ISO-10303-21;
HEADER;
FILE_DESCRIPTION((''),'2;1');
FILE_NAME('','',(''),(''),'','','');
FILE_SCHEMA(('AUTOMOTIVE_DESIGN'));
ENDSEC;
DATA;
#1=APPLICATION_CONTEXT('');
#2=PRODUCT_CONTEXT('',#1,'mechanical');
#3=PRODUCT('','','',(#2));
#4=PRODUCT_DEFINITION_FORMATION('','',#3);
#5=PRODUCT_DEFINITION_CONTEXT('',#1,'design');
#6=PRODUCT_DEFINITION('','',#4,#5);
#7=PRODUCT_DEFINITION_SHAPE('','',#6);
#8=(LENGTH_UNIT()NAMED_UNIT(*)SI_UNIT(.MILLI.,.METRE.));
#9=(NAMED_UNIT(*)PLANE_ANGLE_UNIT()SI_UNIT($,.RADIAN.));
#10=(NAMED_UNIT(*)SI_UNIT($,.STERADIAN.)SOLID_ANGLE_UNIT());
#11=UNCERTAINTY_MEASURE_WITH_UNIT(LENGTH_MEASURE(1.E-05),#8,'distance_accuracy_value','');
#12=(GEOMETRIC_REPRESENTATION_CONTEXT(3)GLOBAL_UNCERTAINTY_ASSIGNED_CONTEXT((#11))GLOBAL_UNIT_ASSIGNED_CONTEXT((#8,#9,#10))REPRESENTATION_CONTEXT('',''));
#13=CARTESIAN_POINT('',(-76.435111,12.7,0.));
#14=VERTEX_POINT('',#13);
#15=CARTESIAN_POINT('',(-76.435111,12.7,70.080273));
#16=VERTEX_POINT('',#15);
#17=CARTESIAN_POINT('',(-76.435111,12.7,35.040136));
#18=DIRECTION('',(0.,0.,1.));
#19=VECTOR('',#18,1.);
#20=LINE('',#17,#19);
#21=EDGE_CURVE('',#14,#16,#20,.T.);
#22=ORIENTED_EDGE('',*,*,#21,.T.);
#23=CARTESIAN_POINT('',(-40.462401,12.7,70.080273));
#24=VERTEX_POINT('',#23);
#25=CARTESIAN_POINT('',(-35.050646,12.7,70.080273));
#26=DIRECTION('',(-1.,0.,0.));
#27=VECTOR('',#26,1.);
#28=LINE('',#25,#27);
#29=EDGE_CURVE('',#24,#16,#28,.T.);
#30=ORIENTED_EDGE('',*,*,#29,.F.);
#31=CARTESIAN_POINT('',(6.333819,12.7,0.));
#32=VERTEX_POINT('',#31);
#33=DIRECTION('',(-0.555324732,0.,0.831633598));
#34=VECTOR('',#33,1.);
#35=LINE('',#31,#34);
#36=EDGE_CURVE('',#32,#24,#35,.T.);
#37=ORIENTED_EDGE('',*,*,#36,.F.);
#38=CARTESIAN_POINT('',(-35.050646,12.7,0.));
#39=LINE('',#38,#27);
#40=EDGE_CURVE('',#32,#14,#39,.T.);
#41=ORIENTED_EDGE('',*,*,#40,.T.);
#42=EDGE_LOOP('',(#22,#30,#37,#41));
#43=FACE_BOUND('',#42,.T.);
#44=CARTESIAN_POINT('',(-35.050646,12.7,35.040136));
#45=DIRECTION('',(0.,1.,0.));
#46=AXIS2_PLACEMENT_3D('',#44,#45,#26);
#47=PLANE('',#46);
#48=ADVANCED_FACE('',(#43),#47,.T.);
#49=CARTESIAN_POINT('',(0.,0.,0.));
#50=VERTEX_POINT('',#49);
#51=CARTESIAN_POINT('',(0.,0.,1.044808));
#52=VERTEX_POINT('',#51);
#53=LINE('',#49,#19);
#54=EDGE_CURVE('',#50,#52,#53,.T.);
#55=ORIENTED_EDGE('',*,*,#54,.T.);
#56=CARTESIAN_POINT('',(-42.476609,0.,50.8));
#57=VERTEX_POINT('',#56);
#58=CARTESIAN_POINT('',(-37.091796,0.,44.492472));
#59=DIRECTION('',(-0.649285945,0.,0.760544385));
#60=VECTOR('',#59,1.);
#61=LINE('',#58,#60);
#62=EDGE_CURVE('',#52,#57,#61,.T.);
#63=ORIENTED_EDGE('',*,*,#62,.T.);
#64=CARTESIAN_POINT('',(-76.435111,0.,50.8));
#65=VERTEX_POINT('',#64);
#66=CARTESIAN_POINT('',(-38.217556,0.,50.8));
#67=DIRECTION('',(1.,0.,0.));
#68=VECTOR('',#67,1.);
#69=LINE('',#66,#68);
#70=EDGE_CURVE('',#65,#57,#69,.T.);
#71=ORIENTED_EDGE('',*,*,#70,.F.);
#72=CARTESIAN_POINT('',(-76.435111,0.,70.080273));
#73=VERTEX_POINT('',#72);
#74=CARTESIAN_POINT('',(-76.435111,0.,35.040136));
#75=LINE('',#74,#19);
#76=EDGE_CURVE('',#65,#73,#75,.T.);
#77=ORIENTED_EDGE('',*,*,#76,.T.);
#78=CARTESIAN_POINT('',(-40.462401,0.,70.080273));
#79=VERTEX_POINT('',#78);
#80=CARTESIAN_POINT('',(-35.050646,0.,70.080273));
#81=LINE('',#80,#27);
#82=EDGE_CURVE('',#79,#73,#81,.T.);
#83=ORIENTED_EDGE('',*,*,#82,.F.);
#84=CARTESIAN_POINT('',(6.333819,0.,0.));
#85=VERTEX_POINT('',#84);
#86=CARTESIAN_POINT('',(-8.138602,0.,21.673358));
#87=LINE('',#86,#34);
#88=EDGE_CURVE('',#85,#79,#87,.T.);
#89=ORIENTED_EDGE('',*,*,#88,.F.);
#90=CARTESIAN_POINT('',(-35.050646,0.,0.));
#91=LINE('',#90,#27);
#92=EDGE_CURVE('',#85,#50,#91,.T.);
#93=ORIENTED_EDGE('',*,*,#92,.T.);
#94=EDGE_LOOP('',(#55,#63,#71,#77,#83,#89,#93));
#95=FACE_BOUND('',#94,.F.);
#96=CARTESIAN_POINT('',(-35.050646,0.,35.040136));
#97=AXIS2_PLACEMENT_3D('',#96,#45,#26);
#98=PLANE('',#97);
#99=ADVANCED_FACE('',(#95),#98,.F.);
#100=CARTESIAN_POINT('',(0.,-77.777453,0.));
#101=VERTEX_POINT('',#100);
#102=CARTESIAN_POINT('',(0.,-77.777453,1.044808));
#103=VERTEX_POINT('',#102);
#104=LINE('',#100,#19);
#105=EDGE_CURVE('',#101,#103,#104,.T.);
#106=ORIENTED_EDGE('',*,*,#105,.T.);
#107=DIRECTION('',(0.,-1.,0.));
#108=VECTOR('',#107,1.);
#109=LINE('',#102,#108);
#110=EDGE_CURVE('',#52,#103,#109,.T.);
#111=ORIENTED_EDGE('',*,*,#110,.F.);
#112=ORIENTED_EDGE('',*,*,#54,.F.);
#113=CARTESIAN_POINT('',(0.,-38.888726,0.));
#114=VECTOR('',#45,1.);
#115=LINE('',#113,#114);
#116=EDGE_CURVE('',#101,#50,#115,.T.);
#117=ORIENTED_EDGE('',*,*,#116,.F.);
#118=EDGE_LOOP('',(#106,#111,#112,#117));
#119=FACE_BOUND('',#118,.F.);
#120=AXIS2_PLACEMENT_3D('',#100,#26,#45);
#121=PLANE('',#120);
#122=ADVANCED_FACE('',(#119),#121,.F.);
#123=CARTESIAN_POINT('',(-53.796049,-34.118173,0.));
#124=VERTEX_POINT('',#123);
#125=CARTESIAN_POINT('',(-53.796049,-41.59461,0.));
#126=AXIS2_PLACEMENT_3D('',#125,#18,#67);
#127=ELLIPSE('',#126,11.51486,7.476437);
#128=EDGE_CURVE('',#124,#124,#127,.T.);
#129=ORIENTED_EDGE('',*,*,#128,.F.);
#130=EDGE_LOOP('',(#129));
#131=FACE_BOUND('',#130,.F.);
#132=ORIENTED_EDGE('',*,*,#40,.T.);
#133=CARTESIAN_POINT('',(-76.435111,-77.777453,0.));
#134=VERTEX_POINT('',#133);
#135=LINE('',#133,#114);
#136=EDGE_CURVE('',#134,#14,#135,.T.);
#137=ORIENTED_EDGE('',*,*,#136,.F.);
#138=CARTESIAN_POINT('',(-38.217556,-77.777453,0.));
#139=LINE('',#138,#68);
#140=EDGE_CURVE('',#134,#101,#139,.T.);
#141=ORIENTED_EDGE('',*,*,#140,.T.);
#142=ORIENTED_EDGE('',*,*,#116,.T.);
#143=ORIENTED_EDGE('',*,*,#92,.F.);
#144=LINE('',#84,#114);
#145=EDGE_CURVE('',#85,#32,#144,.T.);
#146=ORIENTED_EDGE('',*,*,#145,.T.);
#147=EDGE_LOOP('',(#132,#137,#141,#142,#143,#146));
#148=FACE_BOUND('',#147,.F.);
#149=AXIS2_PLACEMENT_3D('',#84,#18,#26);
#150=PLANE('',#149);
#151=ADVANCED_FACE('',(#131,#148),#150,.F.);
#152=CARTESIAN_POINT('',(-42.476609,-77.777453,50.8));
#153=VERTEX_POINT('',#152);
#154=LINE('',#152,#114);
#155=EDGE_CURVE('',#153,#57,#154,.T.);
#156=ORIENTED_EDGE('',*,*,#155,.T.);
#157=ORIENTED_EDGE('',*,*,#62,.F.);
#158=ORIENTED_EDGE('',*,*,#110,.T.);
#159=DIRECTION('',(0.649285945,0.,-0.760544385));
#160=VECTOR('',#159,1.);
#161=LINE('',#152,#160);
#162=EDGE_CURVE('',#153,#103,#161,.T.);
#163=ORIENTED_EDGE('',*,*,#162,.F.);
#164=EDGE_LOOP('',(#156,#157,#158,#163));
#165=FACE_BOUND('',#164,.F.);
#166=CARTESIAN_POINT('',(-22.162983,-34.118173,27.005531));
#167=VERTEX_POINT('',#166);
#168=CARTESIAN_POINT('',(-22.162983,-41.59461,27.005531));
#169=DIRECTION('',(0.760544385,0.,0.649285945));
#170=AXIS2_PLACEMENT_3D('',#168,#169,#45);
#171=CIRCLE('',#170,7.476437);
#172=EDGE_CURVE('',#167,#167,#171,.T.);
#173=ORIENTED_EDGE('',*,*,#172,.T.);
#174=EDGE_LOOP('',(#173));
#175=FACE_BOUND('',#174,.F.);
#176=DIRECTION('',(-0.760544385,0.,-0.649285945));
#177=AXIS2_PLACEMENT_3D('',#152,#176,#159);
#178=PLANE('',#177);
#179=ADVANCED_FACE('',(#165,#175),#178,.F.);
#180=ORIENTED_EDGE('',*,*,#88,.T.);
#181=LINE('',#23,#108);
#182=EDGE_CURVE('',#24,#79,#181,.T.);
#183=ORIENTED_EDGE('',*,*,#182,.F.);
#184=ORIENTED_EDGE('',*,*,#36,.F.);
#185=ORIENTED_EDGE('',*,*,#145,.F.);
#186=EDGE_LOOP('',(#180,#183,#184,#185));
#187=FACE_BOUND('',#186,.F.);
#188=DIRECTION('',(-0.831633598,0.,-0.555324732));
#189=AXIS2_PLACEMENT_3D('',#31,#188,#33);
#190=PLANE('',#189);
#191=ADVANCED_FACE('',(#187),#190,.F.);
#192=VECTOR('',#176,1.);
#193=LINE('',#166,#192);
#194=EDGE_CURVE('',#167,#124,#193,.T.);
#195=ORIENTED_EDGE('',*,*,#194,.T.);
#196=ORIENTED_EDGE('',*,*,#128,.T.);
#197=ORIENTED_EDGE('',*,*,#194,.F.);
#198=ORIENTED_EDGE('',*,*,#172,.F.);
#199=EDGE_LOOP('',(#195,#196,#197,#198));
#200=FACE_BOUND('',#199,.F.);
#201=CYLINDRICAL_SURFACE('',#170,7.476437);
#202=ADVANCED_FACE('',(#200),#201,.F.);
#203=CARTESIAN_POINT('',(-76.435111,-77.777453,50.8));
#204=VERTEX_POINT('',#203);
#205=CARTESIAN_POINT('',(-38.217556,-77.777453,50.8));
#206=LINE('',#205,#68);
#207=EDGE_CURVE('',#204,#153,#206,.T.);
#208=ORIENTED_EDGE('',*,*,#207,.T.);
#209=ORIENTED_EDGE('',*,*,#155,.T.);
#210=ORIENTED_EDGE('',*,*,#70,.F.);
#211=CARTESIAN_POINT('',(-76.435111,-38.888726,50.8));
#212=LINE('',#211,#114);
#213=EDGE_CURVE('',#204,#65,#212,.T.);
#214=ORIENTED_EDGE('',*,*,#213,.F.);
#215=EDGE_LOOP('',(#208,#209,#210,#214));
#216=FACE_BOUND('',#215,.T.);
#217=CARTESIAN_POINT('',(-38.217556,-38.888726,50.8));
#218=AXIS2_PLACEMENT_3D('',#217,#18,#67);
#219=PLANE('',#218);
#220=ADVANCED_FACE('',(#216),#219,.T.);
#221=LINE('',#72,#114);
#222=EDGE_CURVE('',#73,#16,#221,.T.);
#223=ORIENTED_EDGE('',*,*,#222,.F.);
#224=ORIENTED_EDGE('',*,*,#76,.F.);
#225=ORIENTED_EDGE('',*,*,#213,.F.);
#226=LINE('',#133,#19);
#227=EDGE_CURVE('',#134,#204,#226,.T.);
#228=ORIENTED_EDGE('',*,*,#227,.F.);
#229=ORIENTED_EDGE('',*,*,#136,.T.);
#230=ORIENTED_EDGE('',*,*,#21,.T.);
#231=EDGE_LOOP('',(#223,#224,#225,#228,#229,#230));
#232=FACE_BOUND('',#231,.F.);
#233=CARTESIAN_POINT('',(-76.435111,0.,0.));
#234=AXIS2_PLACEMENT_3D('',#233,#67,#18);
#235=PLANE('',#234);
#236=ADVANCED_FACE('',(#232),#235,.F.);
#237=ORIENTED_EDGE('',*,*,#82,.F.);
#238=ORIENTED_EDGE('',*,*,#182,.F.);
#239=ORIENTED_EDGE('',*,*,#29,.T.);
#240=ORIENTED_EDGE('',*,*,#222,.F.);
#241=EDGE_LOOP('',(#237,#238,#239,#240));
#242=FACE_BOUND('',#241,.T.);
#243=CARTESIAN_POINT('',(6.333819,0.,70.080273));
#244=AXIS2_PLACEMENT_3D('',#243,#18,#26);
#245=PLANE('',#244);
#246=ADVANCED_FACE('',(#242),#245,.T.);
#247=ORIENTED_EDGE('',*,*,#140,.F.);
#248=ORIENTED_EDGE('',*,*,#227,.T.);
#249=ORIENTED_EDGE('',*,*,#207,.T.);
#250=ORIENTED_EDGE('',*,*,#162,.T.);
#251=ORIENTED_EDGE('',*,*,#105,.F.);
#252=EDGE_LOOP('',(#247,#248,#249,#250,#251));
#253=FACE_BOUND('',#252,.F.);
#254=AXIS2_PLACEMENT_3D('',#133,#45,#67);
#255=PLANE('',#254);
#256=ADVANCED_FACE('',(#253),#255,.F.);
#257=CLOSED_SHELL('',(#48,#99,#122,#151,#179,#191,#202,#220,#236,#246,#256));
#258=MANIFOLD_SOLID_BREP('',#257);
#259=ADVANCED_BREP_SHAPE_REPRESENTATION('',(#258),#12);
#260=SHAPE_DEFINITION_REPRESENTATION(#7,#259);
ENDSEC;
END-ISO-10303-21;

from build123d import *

# Parameters (mm, degrees)
F0_W     = 76.4351114631
F0_H     = 77.7774527669
F1_DEPTH = 50.8
F3_DEPTH = 77.7784527669
F4_R     = 7.4764365624
F5_DEPTH = 58.8116741145
F6_W     = 82.7689305879
F6_H     = 70.0802728534
F7_DEPTH = 12.7
F9_DEPTH = 90.4784527669


with BuildPart() as f1:
    # F0 (on Top) → F1 (new body)
    with BuildSketch(Plane.XY):
        with Locations((-38.2175557315, -38.8887263834)):
            Rectangle(F0_W, F0_H)
    extrude(amount=F1_DEPTH)

    # F2 (on face) → F3 (cut, through all)
    with BuildSketch(Plane.XZ.offset(77.7774527669)):
        Polygon((15.4465576634, -17.0485954732), (15.4465576634, 50.8), (-42.4766093493, 50.8), align=None)
    extrude(amount=-F3_DEPTH, mode=Mode.SUBTRACT)

    # F4 (on face) → F5 (cut, through all)
    with BuildSketch(Plane(origin=(0.5159375483, 0, 0.4404621285), x_dir=(0, 1, 0), z_dir=(0.760544385, 0, 0.6492859451))):
        with Locations((-41.5946096182, 34.9290184677)):
            Circle(F4_R)
    extrude(amount=-F5_DEPTH, mode=Mode.SUBTRACT)

    # F6 (on face) → F7 (join)
    with BuildSketch(Plane(origin=(0, 0, 0), x_dir=(-1, 0, 0), z_dir=(0, 1, 0))):
        with Locations((35.0506461691, 35.0401364267)):
            Rectangle(F6_W, F6_H)
    extrude(amount=F7_DEPTH)

    # F8 (on face) → F9 (cut, through all)
    with BuildSketch(Plane(origin=(0, 12.7, 0), x_dir=(-1, 0, 0), z_dir=(0, 1, 0))):
        Polygon((40.4624007642, 70.0802728534), (-6.3338191248, 70.0802728534), (-6.3338191248, 35.0401364267), align=None)
        Polygon((-6.3338191248, 0), (40.4624007642, 70.0802728534), (-6.3338191248, 35.0401364267), align=None)
    extrude(amount=-F9_DEPTH, mode=Mode.SUBTRACT)


solid = f1.part
